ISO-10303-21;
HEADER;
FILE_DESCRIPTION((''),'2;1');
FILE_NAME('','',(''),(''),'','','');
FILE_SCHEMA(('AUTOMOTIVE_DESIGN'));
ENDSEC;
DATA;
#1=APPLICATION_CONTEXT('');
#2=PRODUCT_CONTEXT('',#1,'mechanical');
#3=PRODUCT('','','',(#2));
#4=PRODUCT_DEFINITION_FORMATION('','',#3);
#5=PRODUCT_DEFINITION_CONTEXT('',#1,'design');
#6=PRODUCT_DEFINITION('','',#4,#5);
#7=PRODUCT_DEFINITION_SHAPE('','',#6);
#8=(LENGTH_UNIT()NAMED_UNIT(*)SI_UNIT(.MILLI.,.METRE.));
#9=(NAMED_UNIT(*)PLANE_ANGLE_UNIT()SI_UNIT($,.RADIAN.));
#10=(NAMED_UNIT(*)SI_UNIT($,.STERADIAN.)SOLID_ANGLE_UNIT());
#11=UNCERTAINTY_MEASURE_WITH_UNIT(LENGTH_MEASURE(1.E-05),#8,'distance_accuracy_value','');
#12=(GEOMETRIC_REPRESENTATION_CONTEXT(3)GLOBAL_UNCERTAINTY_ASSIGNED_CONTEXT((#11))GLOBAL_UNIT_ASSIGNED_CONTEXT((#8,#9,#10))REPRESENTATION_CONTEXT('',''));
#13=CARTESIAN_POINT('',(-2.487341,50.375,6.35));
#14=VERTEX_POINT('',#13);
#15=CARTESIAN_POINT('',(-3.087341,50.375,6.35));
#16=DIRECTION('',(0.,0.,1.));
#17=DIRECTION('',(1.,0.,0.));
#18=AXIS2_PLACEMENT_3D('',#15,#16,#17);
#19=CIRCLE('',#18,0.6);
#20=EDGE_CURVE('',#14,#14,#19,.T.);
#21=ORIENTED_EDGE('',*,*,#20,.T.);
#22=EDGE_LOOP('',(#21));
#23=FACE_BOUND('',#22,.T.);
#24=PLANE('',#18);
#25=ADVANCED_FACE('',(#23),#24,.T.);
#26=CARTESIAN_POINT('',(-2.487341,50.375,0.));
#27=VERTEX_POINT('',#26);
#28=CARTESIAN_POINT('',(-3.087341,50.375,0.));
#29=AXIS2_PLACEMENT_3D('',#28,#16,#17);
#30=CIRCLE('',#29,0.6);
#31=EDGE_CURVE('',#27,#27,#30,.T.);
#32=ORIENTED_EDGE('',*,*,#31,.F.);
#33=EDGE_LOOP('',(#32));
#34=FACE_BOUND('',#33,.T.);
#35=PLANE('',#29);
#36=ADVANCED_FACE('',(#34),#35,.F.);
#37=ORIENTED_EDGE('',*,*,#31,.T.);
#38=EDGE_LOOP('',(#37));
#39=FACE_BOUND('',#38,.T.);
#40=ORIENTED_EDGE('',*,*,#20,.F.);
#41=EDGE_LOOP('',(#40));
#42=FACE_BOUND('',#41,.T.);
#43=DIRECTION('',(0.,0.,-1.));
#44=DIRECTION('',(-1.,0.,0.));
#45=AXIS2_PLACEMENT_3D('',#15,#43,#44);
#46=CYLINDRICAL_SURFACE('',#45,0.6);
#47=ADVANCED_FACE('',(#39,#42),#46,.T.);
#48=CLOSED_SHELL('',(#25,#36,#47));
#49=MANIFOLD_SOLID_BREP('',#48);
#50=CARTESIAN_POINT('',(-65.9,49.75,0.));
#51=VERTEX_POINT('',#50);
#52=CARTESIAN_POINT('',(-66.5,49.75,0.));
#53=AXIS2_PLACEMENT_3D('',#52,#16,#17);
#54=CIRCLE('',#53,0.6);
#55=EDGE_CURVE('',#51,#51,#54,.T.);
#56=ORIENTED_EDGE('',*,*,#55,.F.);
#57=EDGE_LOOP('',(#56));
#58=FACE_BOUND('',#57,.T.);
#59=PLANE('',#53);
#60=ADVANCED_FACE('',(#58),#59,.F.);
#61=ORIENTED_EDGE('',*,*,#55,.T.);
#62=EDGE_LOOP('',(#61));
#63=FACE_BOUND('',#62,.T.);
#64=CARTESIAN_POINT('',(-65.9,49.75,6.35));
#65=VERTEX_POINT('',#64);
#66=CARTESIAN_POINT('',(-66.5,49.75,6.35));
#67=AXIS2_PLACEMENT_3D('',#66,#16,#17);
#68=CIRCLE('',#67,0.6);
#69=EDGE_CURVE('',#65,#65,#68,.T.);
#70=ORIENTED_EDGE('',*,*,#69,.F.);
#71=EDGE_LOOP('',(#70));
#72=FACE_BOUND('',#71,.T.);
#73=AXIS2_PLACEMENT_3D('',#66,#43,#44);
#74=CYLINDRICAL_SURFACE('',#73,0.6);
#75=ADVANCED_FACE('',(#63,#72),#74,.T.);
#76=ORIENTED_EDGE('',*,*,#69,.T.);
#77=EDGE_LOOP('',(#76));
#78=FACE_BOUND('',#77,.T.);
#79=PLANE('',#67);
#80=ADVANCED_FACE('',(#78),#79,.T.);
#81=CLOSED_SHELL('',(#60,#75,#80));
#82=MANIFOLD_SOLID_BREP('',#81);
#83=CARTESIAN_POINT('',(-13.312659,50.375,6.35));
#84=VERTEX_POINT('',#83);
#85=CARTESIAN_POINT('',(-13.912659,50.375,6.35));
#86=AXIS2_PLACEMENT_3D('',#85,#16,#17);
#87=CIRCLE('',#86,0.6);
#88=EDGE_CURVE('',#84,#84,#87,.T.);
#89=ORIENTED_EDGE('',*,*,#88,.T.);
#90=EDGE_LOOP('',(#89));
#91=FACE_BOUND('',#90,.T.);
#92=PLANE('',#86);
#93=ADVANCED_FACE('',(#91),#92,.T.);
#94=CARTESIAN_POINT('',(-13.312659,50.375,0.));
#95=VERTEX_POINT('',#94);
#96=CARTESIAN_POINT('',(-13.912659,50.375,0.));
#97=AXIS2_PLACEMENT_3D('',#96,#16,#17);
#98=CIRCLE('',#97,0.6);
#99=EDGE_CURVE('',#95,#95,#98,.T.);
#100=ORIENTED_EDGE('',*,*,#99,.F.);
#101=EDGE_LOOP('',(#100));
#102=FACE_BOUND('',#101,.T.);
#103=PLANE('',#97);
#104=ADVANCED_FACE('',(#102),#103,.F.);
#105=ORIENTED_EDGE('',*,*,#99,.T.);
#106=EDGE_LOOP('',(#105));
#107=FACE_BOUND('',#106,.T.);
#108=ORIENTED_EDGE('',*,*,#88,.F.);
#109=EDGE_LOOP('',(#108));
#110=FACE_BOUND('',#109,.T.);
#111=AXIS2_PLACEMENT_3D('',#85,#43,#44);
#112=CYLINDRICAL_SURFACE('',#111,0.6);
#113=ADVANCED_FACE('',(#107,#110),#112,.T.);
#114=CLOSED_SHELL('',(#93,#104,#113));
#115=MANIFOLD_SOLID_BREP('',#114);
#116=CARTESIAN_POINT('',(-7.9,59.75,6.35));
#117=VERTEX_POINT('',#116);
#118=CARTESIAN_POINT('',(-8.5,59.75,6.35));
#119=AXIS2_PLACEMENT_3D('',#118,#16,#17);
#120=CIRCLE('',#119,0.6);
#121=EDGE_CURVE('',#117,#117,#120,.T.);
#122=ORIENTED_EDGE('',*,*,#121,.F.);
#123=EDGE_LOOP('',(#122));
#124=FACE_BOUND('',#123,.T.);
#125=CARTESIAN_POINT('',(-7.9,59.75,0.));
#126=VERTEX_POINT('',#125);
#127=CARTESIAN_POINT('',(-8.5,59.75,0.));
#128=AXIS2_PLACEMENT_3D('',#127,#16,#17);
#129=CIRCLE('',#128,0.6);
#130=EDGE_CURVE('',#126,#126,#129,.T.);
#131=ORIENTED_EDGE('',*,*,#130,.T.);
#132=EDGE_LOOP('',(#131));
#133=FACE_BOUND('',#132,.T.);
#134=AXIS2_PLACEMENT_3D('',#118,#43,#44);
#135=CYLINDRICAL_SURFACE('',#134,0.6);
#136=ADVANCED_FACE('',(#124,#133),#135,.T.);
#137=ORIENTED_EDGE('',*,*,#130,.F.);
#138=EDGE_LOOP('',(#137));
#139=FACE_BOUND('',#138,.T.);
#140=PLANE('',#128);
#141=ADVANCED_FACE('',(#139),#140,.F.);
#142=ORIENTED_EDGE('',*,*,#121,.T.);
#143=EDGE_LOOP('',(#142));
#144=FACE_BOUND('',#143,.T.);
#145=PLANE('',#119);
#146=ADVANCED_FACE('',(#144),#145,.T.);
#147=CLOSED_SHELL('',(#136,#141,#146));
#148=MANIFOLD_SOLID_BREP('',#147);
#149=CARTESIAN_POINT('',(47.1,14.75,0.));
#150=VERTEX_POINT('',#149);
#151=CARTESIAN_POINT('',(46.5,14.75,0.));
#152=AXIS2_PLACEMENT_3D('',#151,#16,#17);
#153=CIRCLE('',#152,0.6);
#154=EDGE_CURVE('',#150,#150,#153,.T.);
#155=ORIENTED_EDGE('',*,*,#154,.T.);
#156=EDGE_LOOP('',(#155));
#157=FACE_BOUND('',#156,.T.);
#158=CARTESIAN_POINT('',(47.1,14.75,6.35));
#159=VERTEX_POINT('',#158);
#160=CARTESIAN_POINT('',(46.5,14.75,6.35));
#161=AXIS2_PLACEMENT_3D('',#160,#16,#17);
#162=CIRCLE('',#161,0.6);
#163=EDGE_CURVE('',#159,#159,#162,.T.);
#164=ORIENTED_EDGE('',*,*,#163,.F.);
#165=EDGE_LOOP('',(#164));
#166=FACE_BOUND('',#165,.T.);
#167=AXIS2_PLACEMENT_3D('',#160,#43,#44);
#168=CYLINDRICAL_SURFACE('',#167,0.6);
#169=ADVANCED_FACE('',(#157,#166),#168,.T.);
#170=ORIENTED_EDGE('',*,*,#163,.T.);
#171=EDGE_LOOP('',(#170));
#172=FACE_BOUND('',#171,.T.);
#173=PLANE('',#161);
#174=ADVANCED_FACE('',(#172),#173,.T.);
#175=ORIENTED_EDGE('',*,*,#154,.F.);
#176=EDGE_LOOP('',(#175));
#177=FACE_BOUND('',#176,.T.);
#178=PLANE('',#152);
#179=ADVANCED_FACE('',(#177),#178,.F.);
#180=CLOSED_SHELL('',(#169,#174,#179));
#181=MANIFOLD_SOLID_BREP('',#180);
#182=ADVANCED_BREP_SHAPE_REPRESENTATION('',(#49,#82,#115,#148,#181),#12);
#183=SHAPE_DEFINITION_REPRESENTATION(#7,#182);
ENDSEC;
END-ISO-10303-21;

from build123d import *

# Parameters (mm, degrees)
SKETCH2_R             = 0.6
BOSS_EXTRUDE1_DEPTH   = 6.35
BOSS_EXTRUDE1_2_DEPTH = 6.35
BOSS_EXTRUDE1_3_DEPTH = 6.35
BOSS_EXTRUDE1_4_DEPTH = 6.35
BOSS_EXTRUDE1_5_DEPTH = 6.35


with BuildPart() as part:
    # Sketch2 → Boss-Extrude1 (new body)
    with BuildSketch(Plane.XY):
        with Locations((-3.087341226, 50.375)):
            Circle(SKETCH2_R)
    extrude(amount=BOSS_EXTRUDE1_DEPTH)


with BuildPart() as body_2:
    # Sketch2 → Boss-Extrude1 2 (new body)
    with BuildSketch(Plane.XY):
        with Locations((-8.5, 59.75)):
            Circle(SKETCH2_R)
    extrude(amount=BOSS_EXTRUDE1_2_DEPTH)


with BuildPart() as body_3:
    # Sketch2 → Boss-Extrude1 3 (new body)
    with BuildSketch(Plane.XY):
        with Locations((-13.912658774, 50.375)):
            Circle(SKETCH2_R)
    extrude(amount=BOSS_EXTRUDE1_3_DEPTH)


with BuildPart() as body_4:
    # Sketch2 → Boss-Extrude1 4 (new body)
    with BuildSketch(Plane.XY):
        with Locations((46.5, 14.75)):
            Circle(SKETCH2_R)
    extrude(amount=BOSS_EXTRUDE1_4_DEPTH)


with BuildPart() as body_5:
    # Sketch2 → Boss-Extrude1 5 (new body)
    with BuildSketch(Plane.XY):
        with Locations((-66.5, 49.75)):
            Circle(SKETCH2_R)
    extrude(amount=BOSS_EXTRUDE1_5_DEPTH)


solid = Compound([part.part, body_2.part, body_3.part, body_4.part, body_5.part])
